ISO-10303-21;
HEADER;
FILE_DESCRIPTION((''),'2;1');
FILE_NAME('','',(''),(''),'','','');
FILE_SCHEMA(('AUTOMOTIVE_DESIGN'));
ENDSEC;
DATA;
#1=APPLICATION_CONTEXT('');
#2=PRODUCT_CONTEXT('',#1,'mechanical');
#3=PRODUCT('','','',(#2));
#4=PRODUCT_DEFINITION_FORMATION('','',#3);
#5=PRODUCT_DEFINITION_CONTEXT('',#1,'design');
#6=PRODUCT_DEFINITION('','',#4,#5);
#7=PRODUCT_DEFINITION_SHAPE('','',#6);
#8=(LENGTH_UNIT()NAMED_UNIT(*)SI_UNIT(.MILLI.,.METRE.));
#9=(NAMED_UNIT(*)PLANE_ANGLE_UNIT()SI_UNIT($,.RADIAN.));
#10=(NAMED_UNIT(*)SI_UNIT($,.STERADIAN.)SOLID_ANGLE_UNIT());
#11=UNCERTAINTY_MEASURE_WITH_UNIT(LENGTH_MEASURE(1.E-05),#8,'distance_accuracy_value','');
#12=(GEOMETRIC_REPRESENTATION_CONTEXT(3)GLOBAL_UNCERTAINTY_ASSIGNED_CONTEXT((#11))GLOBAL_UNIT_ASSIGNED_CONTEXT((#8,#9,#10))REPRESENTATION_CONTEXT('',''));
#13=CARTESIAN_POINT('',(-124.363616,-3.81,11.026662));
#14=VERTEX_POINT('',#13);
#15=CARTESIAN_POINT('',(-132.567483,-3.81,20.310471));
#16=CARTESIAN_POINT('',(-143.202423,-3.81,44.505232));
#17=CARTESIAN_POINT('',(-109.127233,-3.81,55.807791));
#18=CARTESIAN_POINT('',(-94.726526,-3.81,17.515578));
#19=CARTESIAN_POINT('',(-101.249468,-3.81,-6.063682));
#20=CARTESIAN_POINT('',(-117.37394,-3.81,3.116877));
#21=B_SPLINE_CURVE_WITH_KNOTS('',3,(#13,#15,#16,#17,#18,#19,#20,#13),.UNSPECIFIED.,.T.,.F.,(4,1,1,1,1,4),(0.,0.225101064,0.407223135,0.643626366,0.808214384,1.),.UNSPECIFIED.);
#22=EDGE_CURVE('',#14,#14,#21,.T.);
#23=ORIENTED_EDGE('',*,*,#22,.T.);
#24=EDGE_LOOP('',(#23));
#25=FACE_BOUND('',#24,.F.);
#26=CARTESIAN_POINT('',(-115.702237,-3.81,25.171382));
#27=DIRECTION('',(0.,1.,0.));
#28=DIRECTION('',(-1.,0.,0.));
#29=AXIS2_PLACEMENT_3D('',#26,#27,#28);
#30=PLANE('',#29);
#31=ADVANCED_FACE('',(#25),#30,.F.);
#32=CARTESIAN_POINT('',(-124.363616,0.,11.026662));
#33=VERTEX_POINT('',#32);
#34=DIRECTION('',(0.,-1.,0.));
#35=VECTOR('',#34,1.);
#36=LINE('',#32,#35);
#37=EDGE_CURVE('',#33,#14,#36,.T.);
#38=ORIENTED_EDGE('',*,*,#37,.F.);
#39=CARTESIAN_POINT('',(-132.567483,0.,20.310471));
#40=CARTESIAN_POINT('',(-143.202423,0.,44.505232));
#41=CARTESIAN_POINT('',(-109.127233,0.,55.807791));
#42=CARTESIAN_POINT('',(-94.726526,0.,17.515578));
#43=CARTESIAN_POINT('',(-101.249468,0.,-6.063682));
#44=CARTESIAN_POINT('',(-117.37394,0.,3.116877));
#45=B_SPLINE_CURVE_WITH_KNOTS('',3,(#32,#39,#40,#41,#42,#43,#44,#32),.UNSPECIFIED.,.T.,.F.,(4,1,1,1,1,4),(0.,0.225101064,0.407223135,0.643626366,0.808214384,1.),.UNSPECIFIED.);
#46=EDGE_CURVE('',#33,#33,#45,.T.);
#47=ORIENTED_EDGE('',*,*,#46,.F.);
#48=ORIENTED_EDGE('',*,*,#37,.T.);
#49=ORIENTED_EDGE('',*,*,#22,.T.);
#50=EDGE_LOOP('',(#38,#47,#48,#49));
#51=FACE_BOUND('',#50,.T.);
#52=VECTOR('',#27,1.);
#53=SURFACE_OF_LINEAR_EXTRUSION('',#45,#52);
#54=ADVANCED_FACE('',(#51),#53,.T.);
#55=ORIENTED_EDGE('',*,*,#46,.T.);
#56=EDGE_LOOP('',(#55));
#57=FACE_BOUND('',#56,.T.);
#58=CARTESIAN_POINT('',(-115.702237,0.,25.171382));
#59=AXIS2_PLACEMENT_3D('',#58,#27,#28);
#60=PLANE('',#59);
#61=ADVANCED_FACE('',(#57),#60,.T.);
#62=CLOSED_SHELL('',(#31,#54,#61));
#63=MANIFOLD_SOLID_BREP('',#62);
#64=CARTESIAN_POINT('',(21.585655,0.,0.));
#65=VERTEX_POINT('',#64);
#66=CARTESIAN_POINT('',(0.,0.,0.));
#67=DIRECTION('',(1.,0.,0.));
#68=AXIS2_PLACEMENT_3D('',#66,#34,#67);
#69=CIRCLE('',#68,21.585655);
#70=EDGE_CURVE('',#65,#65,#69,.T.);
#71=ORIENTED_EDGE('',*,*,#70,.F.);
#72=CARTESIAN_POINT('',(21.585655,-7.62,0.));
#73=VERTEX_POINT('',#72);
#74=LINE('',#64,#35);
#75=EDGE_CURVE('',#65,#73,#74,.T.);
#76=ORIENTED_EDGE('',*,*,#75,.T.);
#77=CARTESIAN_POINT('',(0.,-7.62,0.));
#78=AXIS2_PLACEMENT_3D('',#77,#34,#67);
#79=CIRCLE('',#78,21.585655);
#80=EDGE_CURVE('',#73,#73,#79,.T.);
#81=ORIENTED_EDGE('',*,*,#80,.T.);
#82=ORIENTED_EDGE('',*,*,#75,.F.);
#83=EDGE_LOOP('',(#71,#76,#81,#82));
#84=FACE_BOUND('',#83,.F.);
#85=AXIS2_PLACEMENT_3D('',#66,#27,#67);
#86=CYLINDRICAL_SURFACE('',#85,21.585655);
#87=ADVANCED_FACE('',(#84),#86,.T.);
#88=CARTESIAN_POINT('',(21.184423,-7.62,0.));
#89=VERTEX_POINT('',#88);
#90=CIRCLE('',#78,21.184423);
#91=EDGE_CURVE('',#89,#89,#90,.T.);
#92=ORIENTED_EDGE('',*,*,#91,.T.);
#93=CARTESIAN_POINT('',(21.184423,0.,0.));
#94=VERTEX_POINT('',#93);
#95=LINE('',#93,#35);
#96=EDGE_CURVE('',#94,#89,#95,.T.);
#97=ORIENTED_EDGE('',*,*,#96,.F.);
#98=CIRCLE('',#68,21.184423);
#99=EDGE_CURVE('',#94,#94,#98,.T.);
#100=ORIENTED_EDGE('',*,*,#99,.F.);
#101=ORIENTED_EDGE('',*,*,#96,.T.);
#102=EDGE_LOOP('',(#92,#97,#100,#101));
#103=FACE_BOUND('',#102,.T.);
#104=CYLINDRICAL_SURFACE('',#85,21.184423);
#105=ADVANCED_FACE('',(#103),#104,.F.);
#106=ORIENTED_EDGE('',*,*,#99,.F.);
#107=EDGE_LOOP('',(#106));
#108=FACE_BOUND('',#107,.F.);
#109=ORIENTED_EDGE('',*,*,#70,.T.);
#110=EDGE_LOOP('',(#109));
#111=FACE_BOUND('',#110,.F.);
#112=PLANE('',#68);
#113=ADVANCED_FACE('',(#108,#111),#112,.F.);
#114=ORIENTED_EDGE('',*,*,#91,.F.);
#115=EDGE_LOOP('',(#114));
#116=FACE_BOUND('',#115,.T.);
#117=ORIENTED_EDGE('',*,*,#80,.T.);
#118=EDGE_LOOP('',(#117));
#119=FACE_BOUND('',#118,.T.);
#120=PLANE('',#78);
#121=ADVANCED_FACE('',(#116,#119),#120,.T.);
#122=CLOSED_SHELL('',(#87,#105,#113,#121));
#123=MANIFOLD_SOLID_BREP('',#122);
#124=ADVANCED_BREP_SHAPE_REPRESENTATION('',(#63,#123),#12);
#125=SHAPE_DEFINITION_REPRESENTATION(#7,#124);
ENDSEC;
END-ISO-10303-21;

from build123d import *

# Parameters (mm, degrees)
F0_R     = 21.5856551854
F0_R_2   = 21.1844233837
F1_DEPTH = 7.62
F3_DEPTH = 3.81


with BuildPart() as f1:
    # F0 (on Front) → F1 (new body)
    with BuildSketch(Plane.XZ):
        Circle(F0_R)
        Circle(F0_R_2, mode=Mode.SUBTRACT)
    extrude(amount=F1_DEPTH)


with BuildPart() as f3:
    # F2 (on Front) → F3 (new body)
    with BuildSketch(Plane.XZ):
        with BuildLine():
            add(Edge.make_bspline(
                [(-124.3636161089, 11.0266618431), (-132.5674827077, 20.310470601), (-143.2024234364, 44.5052323538), (-109.1272328874, 55.8077913823), (-94.7265261769, 17.515578088), (-101.2494682316, -6.063682356), (-117.3739396332, 3.1168769997), (-124.3636161089, 11.0266618431)],
                knots=[0, 0, 0, 0, 0.2251010638, 0.4072231348, 0.643626366, 0.8082143839, 1, 1, 1, 1], degree=3))
        make_face()
    extrude(amount=F3_DEPTH)


solid = Compound([f1.part, f3.part])
